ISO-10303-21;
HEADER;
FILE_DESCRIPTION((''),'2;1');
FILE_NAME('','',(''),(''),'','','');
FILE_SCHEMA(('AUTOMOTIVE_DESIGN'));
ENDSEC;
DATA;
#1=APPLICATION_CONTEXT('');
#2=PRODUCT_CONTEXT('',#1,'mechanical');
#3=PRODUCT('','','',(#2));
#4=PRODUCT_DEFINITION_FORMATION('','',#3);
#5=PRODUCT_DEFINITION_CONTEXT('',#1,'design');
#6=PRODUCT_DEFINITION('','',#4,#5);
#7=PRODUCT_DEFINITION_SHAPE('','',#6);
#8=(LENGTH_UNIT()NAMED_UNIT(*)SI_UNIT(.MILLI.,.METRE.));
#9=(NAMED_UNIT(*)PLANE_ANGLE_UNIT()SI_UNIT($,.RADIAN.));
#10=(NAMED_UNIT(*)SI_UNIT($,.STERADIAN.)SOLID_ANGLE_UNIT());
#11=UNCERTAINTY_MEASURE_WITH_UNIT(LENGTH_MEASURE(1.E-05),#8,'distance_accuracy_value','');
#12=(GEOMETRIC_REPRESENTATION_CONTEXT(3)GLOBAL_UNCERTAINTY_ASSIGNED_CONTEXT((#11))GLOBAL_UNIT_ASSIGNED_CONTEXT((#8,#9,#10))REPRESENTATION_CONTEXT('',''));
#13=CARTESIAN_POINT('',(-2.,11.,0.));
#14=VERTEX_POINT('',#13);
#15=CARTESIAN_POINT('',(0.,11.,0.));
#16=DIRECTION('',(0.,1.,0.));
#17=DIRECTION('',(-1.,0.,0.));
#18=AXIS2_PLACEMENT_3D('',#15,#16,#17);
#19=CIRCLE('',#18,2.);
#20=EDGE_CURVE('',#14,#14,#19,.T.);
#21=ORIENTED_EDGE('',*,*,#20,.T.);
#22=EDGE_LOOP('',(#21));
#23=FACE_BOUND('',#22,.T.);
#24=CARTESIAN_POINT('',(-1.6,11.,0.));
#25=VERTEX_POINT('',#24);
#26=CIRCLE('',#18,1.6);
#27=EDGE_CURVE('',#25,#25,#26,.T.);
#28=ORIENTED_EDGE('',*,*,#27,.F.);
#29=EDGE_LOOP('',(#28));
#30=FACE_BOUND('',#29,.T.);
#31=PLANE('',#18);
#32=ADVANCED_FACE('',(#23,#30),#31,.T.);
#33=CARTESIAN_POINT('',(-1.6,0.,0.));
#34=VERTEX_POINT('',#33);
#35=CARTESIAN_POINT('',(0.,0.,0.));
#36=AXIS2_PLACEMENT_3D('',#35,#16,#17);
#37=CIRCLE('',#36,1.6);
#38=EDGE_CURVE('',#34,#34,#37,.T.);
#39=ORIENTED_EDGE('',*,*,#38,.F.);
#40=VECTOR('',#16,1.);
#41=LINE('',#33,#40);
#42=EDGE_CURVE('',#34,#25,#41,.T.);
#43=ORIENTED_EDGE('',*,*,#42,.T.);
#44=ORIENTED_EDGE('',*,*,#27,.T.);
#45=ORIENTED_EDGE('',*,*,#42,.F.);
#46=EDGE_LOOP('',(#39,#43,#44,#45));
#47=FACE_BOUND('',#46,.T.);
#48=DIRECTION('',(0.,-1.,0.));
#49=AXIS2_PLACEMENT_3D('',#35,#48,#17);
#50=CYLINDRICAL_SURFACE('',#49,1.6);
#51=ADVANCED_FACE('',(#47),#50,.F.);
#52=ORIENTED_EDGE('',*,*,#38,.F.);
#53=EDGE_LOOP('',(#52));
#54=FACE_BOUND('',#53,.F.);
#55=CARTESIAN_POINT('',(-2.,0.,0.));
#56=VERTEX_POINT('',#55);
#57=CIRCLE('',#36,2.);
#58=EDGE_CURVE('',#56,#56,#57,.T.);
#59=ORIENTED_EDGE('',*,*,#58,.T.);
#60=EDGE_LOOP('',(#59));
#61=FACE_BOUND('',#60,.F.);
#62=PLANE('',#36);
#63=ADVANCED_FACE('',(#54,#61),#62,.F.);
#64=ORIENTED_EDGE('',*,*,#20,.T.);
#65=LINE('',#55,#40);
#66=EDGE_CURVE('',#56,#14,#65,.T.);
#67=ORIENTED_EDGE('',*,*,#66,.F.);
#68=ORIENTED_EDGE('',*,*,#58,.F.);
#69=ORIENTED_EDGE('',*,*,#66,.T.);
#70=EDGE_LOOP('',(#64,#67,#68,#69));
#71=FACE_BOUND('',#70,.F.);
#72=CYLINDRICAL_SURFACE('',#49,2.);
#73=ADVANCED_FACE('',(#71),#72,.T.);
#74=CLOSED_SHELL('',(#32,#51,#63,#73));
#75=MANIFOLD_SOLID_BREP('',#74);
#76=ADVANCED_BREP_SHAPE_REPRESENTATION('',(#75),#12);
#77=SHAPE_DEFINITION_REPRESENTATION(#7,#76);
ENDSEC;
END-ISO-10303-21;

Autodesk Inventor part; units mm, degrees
ref_plane "YZ Plane" through (0, 0, 0) normal (1, 0, 0) x (0, 1, 0)
ref_plane "XZ Plane" through (0, 0, 0) normal (0, 1, 0) x (-1, 0, 0)
ref_plane "XY Plane" through (0, 0, 0) normal (0, 0, 1) x (1, 0, 0)
sketch "スケッチ1" plane through (0, 0, 0) normal (0, 1, 0) x (-1, 0, 0)
  circle A0 centre (0, 0) radius 1.6
  circle A1 centre (0, 0) radius 2
  dimension "d0" = 3.2
  dimension "d1" = 4
extrude "押し出し1" add sketch "スケッチ1" along normal blind 11
properties part number "3D_arduino-spacer_3D プリント"
